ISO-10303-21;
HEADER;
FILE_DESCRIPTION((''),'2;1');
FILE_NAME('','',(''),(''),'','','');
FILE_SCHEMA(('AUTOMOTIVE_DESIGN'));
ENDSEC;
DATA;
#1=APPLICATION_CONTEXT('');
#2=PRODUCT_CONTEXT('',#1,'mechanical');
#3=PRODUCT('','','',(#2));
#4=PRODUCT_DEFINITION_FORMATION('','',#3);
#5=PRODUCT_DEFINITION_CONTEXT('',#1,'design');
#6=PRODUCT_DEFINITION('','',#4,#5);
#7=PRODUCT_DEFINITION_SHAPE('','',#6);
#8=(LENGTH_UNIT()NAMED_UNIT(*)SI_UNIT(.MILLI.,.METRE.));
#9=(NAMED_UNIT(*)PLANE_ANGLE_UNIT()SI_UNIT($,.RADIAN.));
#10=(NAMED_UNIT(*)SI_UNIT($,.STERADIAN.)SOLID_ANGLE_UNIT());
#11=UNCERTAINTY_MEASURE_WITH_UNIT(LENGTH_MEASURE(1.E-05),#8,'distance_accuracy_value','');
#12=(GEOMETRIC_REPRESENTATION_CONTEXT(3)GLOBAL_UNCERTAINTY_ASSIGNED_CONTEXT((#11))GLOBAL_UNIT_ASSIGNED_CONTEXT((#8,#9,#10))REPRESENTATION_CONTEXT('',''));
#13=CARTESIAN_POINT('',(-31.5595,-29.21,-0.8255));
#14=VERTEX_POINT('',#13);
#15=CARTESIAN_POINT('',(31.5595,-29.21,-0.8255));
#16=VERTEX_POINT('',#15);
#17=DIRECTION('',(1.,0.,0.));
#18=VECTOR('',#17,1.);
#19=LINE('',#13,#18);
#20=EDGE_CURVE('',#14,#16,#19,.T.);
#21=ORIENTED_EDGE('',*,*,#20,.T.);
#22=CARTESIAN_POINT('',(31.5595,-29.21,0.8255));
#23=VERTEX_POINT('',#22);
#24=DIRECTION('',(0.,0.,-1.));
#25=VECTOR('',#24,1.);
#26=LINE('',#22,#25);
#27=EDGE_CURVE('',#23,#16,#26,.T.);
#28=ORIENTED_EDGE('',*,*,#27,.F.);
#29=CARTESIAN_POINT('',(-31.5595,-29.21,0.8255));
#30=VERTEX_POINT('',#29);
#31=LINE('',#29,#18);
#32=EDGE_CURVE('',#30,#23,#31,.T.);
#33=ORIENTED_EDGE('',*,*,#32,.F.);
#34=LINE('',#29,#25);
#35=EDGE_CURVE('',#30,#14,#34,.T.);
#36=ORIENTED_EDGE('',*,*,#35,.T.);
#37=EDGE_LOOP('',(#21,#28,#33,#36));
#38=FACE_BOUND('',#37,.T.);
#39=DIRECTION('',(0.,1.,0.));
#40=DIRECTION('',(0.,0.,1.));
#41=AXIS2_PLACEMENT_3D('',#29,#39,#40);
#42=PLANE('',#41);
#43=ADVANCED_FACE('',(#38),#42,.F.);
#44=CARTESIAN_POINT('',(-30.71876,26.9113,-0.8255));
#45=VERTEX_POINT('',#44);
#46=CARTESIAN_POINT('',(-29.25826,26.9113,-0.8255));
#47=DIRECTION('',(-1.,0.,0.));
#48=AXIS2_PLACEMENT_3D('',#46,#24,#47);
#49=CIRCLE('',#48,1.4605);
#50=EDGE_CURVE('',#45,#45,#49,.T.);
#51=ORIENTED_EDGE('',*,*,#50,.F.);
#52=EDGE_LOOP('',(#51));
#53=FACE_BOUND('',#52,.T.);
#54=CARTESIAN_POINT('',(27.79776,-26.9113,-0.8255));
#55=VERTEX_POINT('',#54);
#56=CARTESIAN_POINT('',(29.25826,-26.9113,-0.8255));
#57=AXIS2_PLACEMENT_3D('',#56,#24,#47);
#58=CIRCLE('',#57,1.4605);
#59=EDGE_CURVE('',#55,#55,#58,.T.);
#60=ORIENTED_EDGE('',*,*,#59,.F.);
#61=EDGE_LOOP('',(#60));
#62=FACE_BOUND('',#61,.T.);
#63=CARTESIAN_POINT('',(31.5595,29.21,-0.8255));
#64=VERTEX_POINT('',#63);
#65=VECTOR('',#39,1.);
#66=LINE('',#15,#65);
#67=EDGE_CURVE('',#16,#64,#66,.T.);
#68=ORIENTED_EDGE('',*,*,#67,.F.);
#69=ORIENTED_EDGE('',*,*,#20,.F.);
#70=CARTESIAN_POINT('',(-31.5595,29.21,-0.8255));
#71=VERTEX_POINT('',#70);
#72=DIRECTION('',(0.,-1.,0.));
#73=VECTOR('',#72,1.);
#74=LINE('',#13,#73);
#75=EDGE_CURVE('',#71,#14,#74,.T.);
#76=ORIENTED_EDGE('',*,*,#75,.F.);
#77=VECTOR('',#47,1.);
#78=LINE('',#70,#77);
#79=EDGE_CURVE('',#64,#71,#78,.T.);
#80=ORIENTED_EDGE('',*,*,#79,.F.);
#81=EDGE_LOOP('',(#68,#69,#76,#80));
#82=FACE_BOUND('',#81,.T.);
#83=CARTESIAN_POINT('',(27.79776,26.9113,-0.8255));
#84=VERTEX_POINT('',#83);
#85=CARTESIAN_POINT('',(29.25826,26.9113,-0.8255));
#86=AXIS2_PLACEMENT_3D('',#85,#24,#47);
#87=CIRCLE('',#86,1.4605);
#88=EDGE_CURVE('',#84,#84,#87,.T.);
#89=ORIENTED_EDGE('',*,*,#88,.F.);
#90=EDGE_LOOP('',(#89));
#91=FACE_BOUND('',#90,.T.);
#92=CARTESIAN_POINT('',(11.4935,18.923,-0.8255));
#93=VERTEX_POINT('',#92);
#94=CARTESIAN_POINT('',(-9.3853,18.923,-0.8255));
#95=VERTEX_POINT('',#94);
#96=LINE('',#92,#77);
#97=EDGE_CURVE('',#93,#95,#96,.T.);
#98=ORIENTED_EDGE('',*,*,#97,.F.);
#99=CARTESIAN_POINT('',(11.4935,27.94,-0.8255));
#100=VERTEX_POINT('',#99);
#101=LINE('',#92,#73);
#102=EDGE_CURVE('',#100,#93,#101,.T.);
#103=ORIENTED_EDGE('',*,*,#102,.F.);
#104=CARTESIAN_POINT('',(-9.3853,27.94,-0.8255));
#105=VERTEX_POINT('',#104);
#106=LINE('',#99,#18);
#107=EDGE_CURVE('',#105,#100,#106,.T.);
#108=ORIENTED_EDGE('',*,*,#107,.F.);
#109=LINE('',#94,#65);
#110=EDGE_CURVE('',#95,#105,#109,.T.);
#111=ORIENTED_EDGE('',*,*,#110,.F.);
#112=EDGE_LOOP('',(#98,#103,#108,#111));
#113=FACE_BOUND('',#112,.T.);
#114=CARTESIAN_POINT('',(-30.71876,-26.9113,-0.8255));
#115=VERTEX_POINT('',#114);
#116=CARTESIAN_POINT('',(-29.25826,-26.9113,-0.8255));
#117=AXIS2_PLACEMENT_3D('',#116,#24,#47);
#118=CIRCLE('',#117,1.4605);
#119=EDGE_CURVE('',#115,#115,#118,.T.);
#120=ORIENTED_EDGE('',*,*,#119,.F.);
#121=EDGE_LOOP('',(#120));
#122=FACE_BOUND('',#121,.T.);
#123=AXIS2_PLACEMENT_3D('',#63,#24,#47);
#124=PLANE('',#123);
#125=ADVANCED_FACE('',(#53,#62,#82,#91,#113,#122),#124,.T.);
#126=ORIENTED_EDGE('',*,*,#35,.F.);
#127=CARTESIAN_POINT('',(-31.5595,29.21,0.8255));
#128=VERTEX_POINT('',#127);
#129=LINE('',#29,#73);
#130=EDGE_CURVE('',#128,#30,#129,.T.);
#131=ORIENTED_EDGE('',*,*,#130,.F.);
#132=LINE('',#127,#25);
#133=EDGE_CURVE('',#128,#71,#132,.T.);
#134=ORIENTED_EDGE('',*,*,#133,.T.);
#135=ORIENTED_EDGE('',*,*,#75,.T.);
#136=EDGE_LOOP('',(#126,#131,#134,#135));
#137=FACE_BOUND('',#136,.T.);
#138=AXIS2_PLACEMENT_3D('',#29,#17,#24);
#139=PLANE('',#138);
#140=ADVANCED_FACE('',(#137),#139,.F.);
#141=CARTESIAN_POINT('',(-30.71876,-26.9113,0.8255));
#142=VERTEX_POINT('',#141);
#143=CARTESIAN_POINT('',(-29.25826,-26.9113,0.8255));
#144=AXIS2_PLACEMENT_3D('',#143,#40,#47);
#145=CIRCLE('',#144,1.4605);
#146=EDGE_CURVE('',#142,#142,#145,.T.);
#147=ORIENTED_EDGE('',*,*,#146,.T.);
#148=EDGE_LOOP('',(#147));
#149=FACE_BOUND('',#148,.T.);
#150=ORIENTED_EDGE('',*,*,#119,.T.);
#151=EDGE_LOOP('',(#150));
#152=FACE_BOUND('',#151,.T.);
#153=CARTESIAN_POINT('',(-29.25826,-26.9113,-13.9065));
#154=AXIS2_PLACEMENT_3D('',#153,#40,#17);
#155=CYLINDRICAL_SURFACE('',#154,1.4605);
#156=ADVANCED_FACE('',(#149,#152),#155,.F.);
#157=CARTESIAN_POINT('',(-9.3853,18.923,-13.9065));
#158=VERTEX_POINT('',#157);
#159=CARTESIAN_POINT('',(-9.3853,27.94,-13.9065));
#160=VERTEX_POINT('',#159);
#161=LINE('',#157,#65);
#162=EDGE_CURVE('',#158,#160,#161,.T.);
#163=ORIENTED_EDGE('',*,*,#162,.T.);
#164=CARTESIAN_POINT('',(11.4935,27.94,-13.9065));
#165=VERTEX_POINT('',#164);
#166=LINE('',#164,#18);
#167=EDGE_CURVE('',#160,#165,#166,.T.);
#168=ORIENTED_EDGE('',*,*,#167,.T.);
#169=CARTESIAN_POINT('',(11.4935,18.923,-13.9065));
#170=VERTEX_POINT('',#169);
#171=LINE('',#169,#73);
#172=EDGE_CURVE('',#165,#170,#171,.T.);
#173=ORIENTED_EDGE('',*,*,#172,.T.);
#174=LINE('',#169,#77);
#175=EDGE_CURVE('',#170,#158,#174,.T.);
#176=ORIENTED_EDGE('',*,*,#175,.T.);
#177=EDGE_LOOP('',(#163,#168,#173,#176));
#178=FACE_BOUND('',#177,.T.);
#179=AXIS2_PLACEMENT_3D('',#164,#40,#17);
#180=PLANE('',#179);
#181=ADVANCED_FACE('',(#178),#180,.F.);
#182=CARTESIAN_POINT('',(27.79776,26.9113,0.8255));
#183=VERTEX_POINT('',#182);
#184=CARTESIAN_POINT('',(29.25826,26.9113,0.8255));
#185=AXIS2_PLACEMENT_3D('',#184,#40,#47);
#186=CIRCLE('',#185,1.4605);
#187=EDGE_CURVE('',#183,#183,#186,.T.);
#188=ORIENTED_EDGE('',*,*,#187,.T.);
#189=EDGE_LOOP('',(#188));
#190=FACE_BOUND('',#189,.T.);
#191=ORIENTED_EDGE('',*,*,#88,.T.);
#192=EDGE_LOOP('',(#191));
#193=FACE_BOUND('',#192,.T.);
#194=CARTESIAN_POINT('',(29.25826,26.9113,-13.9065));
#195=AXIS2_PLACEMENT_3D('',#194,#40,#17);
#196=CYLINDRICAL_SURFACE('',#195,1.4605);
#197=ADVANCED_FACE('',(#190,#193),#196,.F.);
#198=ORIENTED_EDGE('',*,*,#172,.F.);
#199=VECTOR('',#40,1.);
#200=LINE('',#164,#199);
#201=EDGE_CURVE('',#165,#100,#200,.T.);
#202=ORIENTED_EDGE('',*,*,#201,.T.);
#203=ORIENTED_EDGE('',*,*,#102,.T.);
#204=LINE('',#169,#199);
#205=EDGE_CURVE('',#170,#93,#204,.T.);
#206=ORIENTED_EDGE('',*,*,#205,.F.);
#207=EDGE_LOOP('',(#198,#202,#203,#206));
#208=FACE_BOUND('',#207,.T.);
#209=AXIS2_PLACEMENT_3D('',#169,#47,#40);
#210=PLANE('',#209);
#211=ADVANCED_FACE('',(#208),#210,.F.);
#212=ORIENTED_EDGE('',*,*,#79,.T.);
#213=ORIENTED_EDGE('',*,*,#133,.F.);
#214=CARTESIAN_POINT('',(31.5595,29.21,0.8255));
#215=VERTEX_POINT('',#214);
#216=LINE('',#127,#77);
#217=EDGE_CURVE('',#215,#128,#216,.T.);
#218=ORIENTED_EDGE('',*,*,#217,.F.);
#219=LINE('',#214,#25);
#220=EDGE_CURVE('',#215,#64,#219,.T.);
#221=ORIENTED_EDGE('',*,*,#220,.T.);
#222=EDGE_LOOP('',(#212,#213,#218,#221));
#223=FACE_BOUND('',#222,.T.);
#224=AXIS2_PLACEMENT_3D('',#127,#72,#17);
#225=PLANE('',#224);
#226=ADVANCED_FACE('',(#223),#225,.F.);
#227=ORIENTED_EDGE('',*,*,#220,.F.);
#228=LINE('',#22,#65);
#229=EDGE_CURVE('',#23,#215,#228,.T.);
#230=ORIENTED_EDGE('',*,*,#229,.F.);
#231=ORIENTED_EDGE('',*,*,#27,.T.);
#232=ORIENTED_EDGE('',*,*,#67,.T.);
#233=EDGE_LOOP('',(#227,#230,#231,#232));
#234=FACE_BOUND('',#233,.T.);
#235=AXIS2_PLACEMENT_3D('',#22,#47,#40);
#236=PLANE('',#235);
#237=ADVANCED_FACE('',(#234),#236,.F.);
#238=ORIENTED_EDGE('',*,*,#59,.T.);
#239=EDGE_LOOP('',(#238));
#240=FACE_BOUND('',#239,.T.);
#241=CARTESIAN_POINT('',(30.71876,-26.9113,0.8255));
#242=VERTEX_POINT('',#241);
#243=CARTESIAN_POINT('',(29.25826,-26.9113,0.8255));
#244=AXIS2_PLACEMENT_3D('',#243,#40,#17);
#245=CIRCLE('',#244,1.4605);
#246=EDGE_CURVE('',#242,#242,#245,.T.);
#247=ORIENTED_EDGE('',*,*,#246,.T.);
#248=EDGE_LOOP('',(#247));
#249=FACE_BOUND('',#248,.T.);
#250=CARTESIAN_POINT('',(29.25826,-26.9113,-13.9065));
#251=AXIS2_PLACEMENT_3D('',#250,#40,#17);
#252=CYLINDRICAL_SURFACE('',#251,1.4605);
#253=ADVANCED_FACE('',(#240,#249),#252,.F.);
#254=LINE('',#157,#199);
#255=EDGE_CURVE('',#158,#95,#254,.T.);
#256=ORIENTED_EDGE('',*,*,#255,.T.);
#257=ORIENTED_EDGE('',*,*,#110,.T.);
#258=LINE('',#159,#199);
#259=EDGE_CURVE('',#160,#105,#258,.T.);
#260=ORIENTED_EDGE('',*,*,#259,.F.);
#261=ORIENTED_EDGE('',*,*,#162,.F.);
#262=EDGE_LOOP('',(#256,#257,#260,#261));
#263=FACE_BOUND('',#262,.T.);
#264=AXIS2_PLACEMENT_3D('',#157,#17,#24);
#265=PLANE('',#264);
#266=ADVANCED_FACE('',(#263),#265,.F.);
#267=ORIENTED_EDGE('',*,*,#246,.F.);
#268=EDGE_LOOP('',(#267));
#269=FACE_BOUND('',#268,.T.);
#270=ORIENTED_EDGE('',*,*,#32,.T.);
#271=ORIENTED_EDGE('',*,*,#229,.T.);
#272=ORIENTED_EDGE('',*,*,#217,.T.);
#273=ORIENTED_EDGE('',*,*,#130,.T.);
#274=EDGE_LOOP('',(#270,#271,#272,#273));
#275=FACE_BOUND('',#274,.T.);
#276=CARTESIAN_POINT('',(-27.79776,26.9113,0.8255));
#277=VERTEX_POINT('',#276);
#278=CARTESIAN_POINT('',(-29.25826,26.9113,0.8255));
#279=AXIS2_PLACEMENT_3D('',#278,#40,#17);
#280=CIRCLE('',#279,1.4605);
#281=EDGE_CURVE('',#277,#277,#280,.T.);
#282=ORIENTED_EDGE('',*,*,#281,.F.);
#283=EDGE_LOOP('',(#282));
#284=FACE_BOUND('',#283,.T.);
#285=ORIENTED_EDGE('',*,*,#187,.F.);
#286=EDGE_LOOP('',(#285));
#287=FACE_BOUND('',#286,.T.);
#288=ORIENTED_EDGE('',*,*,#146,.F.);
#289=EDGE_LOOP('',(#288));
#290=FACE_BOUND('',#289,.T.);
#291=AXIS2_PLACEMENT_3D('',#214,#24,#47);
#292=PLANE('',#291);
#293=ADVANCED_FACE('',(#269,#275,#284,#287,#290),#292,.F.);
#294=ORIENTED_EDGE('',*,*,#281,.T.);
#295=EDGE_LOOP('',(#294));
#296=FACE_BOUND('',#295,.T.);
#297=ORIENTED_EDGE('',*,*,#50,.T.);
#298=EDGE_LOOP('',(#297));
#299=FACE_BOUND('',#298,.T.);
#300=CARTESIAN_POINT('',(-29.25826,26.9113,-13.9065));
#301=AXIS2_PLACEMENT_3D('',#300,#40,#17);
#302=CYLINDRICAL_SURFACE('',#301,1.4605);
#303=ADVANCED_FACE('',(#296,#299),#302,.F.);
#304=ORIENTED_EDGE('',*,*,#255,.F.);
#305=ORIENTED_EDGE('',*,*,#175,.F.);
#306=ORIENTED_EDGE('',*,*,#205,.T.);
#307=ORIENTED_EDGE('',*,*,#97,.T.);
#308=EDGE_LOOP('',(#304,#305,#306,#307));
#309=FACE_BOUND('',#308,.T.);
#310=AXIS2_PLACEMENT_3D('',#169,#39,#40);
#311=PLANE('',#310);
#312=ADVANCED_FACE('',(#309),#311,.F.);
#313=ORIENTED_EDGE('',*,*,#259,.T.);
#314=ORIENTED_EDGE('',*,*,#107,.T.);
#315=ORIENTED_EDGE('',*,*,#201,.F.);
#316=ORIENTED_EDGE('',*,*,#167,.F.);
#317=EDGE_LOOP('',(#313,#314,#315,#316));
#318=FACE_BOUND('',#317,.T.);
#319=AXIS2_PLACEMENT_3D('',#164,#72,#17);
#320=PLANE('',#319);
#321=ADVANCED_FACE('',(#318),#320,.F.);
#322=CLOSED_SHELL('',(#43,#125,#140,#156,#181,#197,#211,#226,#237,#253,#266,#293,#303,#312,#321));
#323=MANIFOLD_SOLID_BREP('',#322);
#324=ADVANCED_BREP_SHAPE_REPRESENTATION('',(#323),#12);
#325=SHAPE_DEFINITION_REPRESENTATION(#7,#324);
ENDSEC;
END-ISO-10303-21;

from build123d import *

# Parameters (mm, degrees)
SKETCH1_W           = 63.119
SKETCH1_H           = 58.42
BOSS_EXTRUDE1_DEPTH = 0.8255
SKETCH6_W           = 20.8788
SKETCH6_H           = 9.017
BOSS_EXTRUDE3_DEPTH = 13.081
SKETCH3_R           = 1.4605
CUT_EXTRUDE1_DEPTH  = 15.732


with BuildPart() as part:
    # Sketch1 → Boss-Extrude1 (new body, symmetric)
    with BuildSketch(Plane.XY):
        Rectangle(SKETCH1_W, SKETCH1_H)
    extrude(amount=BOSS_EXTRUDE1_DEPTH, both=True)

    # Sketch6 → Boss-Extrude3 (add)
    with BuildSketch(Plane(origin=(0, 0, -0.8255), x_dir=(-1, 0, 0), z_dir=(0, 0, -1))):
        with Locations((-1.0541, 23.4315)):
            Rectangle(SKETCH6_W, SKETCH6_H)
    extrude(amount=BOSS_EXTRUDE3_DEPTH)

    # Sketch3 → Cut-Extrude1 (cut, through all)
    with BuildSketch(Plane.XY.offset(0.8255)):
        with Locations((-29.25826, 26.9113)):
            Circle(SKETCH3_R)
        with Locations((29.25826, 26.9113)):
            Circle(SKETCH3_R)
        with Locations((29.25826, -26.9113)):
            Circle(SKETCH3_R)
        with Locations((-29.25826, -26.9113)):
            Circle(SKETCH3_R)
    extrude(amount=-CUT_EXTRUDE1_DEPTH, mode=Mode.SUBTRACT)


solid = part.part
